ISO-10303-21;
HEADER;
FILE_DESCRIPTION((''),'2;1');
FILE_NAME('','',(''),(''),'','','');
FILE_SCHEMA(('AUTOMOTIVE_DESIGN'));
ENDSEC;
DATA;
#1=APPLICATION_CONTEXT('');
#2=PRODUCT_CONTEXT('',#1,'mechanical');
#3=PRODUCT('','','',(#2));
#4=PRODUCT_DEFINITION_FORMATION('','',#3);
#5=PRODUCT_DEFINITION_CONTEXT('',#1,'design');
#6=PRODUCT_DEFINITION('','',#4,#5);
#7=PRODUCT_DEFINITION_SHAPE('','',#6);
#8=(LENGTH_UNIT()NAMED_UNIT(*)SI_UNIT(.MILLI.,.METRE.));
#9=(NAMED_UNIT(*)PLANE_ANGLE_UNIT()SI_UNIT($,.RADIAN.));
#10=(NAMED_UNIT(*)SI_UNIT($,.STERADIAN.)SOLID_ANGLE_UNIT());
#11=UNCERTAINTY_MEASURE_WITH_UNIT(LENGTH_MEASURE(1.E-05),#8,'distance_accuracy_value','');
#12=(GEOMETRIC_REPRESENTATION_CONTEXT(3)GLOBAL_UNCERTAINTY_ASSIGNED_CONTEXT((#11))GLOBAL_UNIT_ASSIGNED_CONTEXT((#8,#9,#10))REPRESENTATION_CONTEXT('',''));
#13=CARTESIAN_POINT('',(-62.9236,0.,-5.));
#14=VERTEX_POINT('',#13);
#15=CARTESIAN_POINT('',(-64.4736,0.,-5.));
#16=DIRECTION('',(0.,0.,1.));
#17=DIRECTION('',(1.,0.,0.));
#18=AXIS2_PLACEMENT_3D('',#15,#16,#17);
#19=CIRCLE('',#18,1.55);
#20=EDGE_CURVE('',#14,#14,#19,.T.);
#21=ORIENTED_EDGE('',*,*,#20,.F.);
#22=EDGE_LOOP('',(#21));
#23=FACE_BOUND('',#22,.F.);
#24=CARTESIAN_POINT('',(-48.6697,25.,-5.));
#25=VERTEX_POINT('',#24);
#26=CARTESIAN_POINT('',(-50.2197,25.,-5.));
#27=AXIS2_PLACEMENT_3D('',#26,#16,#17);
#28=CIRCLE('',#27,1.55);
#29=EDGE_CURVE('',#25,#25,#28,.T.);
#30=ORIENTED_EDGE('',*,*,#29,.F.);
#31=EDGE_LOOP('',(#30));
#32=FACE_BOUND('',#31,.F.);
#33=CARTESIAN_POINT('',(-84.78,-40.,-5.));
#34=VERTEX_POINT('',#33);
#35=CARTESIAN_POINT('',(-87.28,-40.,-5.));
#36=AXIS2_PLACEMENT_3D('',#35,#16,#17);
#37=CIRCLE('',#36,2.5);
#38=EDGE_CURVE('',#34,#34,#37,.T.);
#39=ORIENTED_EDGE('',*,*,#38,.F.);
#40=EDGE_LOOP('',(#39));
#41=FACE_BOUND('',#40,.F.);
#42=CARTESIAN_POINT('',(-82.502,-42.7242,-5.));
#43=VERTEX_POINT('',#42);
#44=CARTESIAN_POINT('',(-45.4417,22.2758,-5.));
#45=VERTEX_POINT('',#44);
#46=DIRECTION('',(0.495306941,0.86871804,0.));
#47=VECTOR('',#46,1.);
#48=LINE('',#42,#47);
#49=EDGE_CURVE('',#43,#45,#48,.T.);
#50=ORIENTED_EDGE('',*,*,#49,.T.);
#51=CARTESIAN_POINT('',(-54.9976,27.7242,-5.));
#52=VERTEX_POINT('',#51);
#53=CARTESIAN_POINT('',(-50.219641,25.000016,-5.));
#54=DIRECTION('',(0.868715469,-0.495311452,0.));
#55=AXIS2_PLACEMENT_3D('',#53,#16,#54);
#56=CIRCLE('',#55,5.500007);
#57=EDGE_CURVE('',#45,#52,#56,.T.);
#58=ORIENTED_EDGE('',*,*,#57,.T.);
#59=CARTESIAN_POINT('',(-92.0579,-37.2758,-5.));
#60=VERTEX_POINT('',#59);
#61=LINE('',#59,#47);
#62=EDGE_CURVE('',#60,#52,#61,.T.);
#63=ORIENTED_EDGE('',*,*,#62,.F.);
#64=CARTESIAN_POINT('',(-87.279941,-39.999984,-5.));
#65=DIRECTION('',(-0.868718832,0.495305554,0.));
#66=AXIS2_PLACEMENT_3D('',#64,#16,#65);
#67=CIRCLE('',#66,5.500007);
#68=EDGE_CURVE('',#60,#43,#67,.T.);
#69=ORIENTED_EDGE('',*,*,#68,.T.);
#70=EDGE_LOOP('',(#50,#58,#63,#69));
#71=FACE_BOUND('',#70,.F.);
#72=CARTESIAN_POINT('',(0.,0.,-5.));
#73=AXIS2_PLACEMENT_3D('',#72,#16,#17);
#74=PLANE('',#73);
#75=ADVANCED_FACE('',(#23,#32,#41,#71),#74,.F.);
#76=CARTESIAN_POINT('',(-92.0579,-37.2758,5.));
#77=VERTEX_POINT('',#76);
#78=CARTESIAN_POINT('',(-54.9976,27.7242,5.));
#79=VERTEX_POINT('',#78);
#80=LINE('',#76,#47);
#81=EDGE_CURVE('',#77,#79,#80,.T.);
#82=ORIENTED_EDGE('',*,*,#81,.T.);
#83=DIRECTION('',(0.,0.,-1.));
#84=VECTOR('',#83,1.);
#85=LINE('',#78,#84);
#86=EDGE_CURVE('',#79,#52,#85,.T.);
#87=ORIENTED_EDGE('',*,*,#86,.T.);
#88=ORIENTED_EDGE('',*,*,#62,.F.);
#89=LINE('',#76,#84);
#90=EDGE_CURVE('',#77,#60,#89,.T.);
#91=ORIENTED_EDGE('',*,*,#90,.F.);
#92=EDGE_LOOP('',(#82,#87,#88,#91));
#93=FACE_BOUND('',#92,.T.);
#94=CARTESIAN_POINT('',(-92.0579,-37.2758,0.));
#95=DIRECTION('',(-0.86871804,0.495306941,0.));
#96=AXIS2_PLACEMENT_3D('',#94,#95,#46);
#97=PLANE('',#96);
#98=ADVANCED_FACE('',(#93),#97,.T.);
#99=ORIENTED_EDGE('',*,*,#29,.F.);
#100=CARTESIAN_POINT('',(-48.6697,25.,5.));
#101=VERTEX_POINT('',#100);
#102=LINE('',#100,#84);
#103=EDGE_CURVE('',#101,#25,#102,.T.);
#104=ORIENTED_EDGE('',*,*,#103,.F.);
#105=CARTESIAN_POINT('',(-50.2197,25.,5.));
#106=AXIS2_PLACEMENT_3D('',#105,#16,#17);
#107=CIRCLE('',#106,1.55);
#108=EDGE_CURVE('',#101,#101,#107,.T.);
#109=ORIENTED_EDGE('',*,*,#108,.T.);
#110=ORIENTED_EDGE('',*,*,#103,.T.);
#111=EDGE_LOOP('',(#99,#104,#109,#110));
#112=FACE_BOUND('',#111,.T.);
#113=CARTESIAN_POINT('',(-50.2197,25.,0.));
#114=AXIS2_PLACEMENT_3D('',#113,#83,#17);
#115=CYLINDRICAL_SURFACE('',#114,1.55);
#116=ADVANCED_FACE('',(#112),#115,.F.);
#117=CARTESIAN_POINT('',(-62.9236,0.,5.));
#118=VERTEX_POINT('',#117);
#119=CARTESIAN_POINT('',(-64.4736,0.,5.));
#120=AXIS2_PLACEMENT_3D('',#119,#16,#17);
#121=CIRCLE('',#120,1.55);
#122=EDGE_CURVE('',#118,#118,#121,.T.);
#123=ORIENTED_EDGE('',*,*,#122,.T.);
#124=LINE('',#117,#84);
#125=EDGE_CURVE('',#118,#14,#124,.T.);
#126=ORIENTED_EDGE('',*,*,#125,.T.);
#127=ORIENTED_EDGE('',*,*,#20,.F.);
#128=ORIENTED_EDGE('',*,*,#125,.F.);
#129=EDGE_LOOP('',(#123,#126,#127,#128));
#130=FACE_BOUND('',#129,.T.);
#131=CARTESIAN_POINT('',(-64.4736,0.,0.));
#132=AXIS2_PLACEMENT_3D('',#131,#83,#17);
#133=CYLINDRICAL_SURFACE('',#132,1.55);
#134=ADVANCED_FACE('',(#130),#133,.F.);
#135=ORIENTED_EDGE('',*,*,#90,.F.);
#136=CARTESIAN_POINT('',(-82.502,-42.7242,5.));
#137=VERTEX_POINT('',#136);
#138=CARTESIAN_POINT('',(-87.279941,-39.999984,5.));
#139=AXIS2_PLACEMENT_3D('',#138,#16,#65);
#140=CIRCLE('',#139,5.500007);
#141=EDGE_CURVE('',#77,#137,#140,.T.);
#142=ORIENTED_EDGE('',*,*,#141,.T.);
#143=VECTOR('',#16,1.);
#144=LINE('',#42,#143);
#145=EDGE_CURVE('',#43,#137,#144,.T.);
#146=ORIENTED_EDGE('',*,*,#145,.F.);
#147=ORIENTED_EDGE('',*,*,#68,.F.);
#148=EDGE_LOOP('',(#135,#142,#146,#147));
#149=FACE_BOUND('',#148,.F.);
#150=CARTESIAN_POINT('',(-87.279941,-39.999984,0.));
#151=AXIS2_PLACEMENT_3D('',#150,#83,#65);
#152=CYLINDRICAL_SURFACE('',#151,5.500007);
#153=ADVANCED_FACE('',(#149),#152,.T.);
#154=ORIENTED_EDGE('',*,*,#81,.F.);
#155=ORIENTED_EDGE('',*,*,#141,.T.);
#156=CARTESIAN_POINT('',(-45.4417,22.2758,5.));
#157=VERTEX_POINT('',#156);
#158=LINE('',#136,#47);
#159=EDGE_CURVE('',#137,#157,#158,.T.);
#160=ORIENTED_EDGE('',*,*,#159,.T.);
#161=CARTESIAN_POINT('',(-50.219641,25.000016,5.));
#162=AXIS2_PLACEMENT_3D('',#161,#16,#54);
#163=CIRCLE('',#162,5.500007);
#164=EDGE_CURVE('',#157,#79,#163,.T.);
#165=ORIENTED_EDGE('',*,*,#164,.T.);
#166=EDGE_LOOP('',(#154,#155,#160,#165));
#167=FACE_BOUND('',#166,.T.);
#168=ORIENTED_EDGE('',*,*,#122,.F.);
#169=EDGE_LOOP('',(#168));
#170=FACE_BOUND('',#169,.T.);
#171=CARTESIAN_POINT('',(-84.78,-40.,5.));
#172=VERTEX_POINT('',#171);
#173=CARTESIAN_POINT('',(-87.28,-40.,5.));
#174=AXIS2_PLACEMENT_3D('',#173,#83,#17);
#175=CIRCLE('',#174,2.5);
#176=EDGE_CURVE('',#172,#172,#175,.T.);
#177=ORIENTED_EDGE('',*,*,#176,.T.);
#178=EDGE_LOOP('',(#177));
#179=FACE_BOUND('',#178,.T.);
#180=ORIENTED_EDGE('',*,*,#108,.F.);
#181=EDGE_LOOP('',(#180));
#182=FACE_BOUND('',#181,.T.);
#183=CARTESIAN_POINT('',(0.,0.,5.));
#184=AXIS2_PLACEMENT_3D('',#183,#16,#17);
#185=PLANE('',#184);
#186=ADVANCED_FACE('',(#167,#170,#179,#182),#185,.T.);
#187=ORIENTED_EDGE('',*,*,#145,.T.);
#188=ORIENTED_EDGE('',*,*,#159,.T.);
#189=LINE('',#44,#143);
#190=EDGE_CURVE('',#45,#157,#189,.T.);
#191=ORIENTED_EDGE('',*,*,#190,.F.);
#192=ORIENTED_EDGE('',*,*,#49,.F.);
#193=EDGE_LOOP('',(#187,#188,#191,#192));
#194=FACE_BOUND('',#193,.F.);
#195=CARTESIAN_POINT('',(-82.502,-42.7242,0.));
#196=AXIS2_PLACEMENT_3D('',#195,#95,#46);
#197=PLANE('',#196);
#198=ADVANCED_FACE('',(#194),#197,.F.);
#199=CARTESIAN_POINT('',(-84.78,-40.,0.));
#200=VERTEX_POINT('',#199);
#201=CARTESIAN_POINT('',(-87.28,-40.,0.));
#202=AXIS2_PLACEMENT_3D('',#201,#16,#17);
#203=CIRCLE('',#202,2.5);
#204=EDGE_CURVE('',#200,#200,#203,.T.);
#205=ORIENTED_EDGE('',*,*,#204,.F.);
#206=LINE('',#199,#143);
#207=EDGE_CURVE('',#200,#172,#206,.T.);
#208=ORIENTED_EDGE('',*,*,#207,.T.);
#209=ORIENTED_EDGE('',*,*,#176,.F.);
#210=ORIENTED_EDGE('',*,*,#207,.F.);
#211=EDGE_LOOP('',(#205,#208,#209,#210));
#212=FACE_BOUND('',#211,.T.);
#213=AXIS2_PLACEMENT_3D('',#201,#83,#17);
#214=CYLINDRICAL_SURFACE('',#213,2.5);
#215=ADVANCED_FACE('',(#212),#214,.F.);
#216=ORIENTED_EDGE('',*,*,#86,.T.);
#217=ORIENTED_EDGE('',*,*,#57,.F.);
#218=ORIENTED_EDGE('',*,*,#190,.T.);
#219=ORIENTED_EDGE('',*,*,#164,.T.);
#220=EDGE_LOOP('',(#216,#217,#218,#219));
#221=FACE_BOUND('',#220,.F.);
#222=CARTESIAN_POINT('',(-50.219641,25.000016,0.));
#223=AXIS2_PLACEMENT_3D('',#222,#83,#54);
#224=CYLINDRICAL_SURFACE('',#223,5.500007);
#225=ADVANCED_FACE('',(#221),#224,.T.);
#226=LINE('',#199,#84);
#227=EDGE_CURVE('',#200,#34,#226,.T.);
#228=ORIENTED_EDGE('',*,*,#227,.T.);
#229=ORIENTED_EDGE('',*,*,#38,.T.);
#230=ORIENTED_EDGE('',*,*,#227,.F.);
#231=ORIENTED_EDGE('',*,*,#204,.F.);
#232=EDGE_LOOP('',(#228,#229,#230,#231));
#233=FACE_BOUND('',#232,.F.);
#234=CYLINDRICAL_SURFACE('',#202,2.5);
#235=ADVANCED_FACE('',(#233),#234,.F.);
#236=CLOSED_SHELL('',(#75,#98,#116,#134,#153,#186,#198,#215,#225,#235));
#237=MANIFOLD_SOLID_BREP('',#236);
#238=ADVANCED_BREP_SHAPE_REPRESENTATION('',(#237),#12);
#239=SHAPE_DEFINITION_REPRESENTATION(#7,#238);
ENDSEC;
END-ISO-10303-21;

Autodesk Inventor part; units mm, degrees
ref_plane "YZ Plane" through (0, 0, 0) normal (1, 0, 0) x (0, 1, 0)
ref_plane "XZ Plane" through (0, 0, 0) normal (0, 1, 0) x (-1, 0, 0)
ref_plane "XY Plane" through (0, 0, 0) normal (0, 0, 1) x (1, 0, 0)
sketch "Sketch1" plane through (0, 0, 0) normal (0, 0, 1) x (1, 0, 0)
  line L0 (-64.4736, 0) -> (-50.2197, 25) construction
  line L1 (-64.4736, 0) -> (-87.28, -40) construction
  arc A0 (-82.502, -42.7242) -> (-92.0579, -37.2758) centre (-87.28, -40) ccw
  arc A1 (-54.9976, 27.7242) -> (-45.4417, 22.2758) centre (-50.2197, 25) ccw construction
  circle A2 centre (-50.2197, 25) radius 1.55
  circle A3 centre (-64.4736, 0) radius 1.55
  line L2 (-92.0579, -37.2758) -> (-54.9976, 27.7242)
  line L3 (-82.502, -42.7242) -> (-45.4417, 22.2758)
  arc A4 (-45.4417, 22.2758) -> (-54.9976, 27.7242) centre (-50.2197, 25) ccw
  arc A5 (-92.0579, -37.2758) -> (-82.502, -42.7242) centre (-87.28, -40) ccw
  point P0 (0, 0)
  dimension "d0" = 11
  dimension "d1" = 3.1
extrude "Extrusion1" add sketch "Sketch1" along normal mid plane 10
sketch "Sketch2" plane through (0, 0, 0) normal (0, 0, 1) x (1, 0, 0)
  arc A0 (-92.0579, -37.2758) -> (-82.502, -42.7242) centre (-87.28, -40) ccw projected
  circle A1 centre (-87.28, -40) radius 2.5
  point P0 (0, 0)
  dimension "d4" = 5
extrude "Extrusion2" cut sketch "Sketch2" along normal through all both and the other way through all
properties part number "biela-dedo-1"
